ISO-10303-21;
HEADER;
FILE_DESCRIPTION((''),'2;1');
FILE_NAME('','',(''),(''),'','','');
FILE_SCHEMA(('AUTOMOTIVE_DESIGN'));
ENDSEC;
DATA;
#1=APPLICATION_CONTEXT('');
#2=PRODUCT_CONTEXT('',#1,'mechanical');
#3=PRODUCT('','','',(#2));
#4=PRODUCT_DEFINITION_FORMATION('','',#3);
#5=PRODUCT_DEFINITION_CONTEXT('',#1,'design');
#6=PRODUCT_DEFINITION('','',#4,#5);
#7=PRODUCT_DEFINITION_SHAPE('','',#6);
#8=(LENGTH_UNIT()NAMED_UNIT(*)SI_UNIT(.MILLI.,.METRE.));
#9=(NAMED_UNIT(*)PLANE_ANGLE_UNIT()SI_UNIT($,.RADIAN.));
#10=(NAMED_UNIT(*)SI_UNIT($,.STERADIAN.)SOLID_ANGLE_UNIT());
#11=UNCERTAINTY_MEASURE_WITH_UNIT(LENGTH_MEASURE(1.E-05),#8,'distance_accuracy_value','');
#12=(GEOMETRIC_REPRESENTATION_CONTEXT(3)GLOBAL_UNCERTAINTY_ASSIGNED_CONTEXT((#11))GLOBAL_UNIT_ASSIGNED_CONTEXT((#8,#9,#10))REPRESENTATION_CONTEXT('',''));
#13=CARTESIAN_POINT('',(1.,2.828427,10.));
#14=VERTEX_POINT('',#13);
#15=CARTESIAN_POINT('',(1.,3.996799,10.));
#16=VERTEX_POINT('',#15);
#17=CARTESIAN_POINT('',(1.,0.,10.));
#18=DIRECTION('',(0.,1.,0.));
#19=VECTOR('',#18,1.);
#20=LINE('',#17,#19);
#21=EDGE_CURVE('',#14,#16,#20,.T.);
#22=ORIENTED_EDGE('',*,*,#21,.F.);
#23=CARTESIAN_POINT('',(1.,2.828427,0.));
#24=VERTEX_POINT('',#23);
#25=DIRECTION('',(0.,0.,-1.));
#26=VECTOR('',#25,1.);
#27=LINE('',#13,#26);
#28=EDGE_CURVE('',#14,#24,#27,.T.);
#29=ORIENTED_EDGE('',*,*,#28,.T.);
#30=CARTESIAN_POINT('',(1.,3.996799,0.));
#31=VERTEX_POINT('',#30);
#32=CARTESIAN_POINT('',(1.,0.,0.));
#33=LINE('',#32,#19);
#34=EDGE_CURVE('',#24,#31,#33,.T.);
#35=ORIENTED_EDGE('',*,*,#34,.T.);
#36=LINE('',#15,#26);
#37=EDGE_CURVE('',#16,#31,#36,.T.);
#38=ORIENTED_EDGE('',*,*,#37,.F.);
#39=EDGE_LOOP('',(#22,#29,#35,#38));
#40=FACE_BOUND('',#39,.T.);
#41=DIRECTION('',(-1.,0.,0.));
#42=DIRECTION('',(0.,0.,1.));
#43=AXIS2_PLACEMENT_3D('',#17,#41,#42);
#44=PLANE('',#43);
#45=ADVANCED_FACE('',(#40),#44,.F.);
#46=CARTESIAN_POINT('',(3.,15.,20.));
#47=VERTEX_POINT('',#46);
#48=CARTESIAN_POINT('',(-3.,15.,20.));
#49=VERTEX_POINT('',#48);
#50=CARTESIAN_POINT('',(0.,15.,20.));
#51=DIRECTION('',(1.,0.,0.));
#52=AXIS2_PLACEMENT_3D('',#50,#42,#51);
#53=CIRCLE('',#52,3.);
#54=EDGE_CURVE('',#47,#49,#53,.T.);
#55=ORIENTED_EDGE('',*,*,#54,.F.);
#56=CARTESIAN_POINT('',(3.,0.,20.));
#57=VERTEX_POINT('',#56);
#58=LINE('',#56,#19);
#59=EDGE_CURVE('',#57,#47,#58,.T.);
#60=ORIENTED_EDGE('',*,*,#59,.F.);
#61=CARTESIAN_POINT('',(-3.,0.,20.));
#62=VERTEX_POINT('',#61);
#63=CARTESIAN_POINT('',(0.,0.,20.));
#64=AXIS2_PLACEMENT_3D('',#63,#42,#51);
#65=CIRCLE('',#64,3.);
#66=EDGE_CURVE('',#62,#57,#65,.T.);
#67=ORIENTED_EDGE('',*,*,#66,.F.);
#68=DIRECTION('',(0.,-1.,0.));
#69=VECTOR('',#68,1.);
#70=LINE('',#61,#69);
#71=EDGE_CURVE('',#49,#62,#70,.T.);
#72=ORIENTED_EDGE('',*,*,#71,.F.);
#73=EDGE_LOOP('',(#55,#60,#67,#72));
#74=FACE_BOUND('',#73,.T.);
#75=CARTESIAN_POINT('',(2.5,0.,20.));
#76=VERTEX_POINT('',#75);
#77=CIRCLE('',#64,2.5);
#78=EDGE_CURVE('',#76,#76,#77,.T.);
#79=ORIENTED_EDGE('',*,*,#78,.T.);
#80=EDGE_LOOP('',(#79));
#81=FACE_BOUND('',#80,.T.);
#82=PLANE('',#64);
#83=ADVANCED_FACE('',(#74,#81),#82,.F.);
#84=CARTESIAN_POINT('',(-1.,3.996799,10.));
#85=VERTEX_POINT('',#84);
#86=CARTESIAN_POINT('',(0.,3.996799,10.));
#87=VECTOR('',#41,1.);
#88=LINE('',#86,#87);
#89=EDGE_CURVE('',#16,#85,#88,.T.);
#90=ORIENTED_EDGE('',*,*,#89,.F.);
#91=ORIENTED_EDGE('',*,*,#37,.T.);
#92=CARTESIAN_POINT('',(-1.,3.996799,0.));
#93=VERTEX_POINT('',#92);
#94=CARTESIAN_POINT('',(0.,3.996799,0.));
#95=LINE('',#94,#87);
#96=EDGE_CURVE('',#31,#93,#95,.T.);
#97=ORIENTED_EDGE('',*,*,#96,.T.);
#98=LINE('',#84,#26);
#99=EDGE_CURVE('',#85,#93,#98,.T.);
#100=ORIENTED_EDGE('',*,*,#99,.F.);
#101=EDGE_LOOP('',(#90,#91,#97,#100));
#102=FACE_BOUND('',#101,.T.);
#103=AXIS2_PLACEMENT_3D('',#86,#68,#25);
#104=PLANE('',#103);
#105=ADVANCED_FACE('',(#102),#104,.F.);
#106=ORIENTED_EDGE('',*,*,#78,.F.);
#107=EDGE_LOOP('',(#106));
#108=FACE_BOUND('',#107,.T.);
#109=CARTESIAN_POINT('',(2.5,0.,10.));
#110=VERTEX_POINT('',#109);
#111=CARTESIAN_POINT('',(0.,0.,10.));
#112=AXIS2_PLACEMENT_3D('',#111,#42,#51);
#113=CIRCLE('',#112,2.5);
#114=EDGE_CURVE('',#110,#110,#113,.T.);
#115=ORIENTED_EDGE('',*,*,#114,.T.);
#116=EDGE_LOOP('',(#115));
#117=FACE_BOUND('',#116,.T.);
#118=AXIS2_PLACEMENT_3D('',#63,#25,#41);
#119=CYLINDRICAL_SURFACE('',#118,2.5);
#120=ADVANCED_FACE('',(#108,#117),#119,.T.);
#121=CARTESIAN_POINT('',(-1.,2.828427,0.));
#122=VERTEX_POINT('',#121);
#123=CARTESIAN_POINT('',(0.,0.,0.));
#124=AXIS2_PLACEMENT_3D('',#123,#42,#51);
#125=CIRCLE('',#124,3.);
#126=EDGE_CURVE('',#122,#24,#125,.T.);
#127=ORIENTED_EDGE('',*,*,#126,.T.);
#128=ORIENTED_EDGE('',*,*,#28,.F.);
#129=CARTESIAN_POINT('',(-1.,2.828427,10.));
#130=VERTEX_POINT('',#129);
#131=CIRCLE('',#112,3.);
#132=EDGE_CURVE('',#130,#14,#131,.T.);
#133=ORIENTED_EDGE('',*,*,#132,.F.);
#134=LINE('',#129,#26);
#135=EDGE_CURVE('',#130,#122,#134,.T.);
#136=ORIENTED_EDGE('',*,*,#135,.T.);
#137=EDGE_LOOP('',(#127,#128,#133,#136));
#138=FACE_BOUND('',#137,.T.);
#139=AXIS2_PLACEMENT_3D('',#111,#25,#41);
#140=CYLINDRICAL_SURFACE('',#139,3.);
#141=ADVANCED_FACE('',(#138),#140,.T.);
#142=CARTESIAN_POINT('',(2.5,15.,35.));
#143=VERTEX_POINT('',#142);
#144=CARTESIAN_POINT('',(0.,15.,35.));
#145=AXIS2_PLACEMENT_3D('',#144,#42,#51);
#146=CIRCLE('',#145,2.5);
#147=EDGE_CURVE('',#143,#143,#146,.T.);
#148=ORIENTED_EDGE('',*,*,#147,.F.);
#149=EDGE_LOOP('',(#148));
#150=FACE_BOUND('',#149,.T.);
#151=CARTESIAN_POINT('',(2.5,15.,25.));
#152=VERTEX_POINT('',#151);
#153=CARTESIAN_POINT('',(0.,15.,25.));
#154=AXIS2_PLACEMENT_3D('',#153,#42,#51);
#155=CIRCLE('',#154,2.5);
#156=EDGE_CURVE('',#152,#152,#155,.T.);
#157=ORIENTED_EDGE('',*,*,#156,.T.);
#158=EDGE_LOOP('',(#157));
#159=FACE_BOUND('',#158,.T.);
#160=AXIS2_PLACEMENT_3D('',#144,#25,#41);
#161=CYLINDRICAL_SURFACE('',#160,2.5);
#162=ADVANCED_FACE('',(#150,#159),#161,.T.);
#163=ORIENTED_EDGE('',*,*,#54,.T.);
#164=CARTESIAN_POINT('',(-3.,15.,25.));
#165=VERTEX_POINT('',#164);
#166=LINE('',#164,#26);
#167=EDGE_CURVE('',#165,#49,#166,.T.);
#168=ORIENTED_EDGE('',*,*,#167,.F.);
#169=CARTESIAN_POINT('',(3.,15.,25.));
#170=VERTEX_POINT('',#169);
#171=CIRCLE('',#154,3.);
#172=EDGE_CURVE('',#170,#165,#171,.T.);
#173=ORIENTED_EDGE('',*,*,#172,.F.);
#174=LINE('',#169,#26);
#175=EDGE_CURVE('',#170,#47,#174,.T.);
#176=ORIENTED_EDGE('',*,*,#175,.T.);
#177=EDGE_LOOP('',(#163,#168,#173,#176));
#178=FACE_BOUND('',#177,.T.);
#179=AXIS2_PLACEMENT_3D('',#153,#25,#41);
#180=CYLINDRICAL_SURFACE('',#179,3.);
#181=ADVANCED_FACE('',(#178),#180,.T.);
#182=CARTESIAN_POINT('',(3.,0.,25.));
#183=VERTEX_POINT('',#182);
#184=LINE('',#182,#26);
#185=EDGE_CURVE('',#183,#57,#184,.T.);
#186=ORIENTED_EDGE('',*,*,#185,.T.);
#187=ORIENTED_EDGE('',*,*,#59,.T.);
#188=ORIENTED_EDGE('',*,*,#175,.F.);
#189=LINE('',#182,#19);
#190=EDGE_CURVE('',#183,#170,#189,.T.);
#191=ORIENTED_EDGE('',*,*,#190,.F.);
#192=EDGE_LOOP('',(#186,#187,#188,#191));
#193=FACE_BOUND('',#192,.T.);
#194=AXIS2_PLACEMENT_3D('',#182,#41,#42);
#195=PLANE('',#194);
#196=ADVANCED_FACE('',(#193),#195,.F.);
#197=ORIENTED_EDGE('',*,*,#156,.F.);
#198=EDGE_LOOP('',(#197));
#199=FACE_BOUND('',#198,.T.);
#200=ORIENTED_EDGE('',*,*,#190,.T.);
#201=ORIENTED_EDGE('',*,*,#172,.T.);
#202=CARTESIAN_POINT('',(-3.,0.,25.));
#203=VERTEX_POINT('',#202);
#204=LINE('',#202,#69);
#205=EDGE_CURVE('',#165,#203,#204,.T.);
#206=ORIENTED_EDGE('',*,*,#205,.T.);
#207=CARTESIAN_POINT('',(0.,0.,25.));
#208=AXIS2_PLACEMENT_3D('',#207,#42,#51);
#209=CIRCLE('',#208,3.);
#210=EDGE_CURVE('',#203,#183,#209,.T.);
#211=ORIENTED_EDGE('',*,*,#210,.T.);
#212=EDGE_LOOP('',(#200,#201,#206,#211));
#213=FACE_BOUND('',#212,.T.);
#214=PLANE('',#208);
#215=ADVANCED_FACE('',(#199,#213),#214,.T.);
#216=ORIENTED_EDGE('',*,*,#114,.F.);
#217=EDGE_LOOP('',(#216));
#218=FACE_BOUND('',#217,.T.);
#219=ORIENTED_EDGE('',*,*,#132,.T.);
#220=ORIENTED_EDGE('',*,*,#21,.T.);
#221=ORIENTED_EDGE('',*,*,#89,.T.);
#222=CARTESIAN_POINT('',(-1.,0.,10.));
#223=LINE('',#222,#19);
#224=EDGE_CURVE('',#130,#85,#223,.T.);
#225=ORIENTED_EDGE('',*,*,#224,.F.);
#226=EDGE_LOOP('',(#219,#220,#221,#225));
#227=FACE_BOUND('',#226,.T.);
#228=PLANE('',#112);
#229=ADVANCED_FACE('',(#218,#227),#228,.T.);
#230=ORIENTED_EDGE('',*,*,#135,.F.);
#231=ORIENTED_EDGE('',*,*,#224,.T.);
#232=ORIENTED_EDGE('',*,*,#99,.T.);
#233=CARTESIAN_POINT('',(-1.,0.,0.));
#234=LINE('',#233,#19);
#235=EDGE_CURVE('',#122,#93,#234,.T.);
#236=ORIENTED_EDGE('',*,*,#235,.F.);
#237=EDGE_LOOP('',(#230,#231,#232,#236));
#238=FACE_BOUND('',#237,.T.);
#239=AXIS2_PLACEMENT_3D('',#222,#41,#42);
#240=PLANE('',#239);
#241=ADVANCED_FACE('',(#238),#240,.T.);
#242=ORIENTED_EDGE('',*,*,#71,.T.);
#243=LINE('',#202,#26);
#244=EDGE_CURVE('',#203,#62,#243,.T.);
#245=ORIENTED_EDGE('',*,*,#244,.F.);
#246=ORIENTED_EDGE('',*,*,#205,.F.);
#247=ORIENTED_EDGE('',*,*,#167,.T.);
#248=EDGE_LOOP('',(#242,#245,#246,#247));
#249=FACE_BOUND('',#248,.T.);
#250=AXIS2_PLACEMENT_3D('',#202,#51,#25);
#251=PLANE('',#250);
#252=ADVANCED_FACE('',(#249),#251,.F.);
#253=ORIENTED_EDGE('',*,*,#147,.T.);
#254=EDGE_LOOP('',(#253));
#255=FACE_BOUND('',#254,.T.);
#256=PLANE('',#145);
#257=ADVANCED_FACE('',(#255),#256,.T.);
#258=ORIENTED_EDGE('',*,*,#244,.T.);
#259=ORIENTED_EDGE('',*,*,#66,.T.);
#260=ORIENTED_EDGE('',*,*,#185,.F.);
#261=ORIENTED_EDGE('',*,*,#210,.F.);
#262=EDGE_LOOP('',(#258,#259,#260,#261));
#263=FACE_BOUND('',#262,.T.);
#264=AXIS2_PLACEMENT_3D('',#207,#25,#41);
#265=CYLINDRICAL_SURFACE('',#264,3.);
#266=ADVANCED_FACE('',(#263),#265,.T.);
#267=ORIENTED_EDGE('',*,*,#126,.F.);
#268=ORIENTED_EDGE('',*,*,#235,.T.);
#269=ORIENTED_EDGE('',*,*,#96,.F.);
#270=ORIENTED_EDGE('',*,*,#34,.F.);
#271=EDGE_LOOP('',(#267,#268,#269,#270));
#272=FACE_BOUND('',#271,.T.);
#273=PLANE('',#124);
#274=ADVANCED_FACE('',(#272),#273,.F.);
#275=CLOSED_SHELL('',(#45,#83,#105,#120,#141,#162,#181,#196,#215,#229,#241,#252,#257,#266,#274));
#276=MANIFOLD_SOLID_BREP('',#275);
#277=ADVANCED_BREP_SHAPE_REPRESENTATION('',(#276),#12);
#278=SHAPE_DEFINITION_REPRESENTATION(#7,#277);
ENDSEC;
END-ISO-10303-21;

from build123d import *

# Parameters (mm, degrees)
SKETCH1_R           = 3
SKETCH1_W           = 2
SKETCH1_H           = 1.993597438
BOSS_EXTRUDE1_DEPTH = 10
SKETCH2_R           = 2.5
BOSS_EXTRUDE2_DEPTH = 10
BOSS_EXTRUDE3_DEPTH = 5
SKETCH4_R           = 2.5
BOSS_EXTRUDE4_DEPTH = 10


with BuildPart() as part:
    # Sketch1 → Boss-Extrude1 (new body)
    with BuildSketch(Plane.XY):
        Circle(SKETCH1_R)
        with Locations((0, 3)):
            Rectangle(SKETCH1_W, SKETCH1_H)
    extrude(amount=BOSS_EXTRUDE1_DEPTH)

    # Sketch2 → Boss-Extrude2 (add)
    with BuildSketch(Plane.XY.offset(10)):
        Circle(SKETCH2_R)
    extrude(amount=BOSS_EXTRUDE2_DEPTH)

    # Sketch3 → Boss-Extrude3 (add)
    with BuildSketch(Plane.XY.offset(20)):
        with BuildLine():
            Line((-3, 0), (-3, 15))
            ThreePointArc((-3, 15), (0, 18), (3, 15))
            Line((3, 15), (3, 0))
            ThreePointArc((3, 0), (0, -3), (-3, 0))
        make_face()
    extrude(amount=BOSS_EXTRUDE3_DEPTH)

    # Sketch4 → Boss-Extrude4 (add)
    with BuildSketch(Plane.XY.offset(25)):
        with Locations((0, 15)):
            Circle(SKETCH4_R)
    extrude(amount=BOSS_EXTRUDE4_DEPTH)


solid = part.part
